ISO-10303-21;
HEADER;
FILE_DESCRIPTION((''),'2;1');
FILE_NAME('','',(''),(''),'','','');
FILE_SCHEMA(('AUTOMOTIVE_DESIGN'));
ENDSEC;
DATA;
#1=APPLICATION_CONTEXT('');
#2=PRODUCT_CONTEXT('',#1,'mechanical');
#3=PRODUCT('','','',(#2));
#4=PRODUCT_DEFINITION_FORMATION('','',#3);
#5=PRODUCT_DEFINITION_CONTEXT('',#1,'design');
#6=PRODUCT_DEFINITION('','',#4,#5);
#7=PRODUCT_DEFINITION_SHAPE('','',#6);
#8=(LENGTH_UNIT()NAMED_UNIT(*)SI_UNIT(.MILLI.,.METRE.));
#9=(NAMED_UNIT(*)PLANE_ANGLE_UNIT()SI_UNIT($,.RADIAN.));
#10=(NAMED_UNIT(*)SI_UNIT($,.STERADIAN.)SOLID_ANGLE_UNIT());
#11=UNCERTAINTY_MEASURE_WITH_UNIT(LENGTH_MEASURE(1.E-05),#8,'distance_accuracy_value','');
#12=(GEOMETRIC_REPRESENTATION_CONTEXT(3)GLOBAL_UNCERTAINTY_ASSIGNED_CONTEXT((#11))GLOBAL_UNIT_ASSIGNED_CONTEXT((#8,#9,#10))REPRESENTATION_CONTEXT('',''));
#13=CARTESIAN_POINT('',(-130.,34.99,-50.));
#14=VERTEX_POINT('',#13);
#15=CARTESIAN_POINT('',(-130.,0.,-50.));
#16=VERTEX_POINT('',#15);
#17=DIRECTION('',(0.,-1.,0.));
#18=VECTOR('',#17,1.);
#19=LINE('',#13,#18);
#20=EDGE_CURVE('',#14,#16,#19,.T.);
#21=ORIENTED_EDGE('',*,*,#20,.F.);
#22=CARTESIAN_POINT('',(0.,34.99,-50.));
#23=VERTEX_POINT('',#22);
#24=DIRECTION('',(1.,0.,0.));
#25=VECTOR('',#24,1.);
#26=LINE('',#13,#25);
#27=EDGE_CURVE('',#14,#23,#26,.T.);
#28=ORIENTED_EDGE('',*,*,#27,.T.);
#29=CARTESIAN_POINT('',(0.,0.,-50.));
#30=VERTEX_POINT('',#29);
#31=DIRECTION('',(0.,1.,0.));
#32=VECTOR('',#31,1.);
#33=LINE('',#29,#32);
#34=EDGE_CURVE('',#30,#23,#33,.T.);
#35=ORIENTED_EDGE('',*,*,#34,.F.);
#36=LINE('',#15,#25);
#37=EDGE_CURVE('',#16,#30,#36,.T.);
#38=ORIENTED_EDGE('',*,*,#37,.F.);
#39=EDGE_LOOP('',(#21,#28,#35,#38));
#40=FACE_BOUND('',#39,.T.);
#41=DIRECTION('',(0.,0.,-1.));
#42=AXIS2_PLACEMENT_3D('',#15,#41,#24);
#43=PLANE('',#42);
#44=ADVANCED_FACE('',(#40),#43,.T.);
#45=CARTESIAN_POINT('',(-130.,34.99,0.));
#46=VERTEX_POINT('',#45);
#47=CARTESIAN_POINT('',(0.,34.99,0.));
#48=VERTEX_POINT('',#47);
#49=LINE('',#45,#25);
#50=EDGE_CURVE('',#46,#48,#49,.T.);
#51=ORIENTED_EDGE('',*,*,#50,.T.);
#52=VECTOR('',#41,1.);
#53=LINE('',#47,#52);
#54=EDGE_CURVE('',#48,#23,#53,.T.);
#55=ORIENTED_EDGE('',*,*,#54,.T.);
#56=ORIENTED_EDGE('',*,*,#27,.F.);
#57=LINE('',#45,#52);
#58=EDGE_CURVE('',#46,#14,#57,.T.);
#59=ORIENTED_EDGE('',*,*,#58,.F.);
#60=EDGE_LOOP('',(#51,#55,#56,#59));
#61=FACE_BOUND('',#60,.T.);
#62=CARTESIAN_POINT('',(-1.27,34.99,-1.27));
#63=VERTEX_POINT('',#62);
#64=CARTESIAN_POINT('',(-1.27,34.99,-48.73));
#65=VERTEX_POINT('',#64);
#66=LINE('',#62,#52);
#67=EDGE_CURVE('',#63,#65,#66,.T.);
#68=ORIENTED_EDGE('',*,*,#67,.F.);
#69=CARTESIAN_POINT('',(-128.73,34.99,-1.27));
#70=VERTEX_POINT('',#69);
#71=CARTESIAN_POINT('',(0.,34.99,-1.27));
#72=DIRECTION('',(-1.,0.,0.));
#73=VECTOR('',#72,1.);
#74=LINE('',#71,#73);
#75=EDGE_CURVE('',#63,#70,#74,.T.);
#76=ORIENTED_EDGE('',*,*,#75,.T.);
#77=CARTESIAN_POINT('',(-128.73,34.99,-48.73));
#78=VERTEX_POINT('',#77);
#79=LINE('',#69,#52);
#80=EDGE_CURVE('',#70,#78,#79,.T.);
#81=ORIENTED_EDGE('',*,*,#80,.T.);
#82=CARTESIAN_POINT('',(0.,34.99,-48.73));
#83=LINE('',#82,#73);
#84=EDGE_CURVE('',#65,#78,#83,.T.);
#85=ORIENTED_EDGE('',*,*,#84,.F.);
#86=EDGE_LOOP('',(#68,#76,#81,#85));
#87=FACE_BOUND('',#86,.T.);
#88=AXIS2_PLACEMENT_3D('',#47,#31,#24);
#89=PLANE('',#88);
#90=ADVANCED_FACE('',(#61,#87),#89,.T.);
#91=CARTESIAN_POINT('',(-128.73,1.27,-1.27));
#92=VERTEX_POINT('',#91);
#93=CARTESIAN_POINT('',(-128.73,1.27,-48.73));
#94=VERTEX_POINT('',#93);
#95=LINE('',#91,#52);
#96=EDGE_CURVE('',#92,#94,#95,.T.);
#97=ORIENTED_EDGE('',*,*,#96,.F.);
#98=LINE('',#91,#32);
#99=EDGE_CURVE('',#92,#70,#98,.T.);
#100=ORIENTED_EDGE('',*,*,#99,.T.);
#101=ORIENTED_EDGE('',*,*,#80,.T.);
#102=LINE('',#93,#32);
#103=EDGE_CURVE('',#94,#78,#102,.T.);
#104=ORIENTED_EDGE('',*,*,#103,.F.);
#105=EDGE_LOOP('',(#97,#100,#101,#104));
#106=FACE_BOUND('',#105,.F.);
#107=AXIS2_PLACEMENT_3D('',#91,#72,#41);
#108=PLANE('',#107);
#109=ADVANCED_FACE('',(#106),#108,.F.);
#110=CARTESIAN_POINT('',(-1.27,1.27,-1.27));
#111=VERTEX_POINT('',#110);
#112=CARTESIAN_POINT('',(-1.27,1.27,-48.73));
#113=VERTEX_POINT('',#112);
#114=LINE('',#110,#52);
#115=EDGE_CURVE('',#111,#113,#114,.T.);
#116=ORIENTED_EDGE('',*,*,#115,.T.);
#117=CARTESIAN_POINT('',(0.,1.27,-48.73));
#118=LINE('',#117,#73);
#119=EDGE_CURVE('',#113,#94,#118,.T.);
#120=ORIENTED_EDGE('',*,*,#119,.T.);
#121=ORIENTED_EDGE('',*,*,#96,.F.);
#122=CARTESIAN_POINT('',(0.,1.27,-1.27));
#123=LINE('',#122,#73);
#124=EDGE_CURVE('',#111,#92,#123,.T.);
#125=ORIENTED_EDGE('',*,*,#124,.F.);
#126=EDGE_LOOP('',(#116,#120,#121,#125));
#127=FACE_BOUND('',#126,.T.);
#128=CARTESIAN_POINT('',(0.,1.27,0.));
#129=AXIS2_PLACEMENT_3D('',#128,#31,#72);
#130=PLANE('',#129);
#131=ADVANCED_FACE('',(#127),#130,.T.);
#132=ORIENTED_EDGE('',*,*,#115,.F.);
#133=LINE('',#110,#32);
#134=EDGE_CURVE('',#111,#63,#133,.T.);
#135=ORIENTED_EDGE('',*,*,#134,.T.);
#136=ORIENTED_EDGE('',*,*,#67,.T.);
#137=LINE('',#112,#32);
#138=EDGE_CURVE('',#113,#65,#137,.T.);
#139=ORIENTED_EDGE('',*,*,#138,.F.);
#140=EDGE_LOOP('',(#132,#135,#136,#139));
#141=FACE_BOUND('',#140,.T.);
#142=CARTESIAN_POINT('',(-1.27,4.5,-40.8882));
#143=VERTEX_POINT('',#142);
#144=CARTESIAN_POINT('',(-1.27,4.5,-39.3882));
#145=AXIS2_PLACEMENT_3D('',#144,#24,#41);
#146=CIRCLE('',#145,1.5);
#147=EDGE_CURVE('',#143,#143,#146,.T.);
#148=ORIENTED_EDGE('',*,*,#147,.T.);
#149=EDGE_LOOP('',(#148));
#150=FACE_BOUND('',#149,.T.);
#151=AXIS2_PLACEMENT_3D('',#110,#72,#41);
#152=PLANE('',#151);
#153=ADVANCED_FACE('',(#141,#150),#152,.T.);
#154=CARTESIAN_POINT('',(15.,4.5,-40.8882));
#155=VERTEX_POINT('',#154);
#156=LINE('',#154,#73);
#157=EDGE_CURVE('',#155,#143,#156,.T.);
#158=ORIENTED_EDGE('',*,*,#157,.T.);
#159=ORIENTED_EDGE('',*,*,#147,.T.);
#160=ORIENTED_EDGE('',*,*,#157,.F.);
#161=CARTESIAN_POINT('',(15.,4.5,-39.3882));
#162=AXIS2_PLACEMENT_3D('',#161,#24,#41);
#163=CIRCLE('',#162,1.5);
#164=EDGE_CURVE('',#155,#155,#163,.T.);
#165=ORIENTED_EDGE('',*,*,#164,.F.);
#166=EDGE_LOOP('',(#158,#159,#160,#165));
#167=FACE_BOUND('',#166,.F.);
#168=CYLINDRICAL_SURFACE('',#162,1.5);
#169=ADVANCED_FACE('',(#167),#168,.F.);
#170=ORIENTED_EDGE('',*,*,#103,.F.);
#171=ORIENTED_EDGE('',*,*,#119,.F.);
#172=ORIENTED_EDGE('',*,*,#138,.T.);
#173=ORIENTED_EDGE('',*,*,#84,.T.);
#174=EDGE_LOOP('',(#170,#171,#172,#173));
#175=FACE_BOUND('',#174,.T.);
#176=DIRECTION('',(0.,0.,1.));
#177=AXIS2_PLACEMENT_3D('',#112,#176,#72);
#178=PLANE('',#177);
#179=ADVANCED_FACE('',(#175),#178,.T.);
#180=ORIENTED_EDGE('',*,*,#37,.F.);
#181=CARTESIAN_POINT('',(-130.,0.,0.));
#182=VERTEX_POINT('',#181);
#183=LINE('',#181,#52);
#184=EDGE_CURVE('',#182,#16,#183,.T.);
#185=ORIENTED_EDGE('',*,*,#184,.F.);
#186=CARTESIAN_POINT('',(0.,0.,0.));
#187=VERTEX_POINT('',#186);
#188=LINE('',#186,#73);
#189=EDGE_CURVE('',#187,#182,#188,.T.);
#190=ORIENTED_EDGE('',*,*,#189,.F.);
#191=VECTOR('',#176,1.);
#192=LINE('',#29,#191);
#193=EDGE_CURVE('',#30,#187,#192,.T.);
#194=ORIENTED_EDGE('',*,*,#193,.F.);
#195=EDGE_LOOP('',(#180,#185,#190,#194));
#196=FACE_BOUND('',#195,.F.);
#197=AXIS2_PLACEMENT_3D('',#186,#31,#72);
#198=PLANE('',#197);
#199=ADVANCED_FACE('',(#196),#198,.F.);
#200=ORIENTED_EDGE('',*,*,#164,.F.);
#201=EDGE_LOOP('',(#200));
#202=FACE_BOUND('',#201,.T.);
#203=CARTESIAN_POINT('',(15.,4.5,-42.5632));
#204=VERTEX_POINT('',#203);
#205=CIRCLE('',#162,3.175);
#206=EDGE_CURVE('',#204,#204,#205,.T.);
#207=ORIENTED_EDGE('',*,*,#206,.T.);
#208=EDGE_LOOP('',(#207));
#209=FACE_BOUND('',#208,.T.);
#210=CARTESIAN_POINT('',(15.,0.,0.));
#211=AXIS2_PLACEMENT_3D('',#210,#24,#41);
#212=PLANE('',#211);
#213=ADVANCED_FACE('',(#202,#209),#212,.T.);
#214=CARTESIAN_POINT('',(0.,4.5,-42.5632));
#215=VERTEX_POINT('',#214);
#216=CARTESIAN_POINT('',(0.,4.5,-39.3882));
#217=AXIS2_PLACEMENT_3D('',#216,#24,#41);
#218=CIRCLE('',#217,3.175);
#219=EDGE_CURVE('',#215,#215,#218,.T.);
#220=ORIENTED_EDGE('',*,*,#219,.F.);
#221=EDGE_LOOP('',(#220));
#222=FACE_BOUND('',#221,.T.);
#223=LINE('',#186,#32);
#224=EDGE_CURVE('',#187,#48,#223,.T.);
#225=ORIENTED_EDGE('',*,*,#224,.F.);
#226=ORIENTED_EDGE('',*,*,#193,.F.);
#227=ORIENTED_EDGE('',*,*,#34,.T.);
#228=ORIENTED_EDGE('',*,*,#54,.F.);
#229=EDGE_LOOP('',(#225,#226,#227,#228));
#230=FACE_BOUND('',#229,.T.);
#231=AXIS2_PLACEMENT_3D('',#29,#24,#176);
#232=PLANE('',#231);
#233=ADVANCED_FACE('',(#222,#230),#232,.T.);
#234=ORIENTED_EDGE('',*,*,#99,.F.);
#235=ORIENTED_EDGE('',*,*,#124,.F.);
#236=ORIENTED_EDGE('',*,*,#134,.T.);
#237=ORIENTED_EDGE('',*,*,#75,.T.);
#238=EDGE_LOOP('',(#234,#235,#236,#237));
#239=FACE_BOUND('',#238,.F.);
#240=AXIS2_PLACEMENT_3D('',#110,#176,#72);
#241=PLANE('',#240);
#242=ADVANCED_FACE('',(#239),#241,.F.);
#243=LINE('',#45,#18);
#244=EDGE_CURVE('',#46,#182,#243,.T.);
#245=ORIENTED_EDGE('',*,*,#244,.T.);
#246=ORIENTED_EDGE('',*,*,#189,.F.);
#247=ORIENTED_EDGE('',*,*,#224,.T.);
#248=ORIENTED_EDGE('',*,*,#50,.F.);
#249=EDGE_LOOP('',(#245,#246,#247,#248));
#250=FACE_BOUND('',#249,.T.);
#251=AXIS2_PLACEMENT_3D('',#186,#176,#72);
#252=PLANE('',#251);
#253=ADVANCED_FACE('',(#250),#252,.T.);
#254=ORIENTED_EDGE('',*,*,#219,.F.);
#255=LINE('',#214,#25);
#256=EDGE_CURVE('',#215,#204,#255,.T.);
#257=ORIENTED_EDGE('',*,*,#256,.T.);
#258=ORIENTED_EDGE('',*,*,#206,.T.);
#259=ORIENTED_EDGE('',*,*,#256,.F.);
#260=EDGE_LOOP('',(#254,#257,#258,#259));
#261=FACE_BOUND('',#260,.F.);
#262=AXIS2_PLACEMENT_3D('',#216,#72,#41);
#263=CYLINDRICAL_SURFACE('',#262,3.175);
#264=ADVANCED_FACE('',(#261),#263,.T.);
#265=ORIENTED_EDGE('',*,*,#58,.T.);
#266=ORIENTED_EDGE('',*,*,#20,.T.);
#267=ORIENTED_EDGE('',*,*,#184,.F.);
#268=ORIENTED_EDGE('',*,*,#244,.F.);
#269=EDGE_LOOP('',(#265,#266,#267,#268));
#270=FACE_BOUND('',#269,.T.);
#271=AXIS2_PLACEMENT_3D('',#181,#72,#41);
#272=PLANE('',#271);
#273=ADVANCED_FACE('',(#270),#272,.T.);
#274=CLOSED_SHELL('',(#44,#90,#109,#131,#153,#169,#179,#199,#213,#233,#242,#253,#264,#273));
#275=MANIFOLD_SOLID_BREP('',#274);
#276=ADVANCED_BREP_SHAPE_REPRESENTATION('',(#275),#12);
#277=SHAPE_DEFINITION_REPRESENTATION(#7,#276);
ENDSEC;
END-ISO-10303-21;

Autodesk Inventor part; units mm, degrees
ref_plane "YZ Plane" through (0, 0, 0) normal (1, 0, 0) x (0, 1, 0)
ref_plane "XZ Plane" through (0, 0, 0) normal (0, 1, 0) x (-1, 0, 0)
ref_plane "XY Plane" through (0, 0, 0) normal (0, 0, 1) x (1, 0, 0)
sketch "Sketch1" plane through (0, 0, 0) normal (0, 1, 0) x (-1, 0, 0)
  line L0 (0, 0) -> (130, 0)
  line L1 (130, 0) -> (130, -50)
  line L2 (130, -50) -> (0, -50)
  line L3 (0, -50) -> (0, 0)
  dimension "d0" = 130
  dimension "d1" = 50
extrude "Extrusion1" add sketch "Sketch1" along normal blind 1.27
sketch "Sketch2" plane through (0, 1.27, 0) normal (0, 1, 0) x (1, 0, 0)
  line L0 (-130, 0) -> (0, 0) projected
  line L1 (0, 0) -> (0, 50) projected
  line L2 (-130, 0) -> (0, 0)
  line L3 (0, 0) -> (0, 1.27)
  line L4 (0, 1.27) -> (-130, 1.27)
  line L5 (-130, 1.27) -> (-130, 0)
  line L6 (-130, 50) -> (-130, 0) projected
  line L7 (-130, 50) -> (0, 50)
  line L8 (0, 50) -> (0, 48.73)
  line L9 (0, 48.73) -> (-130, 48.73)
  line L10 (-130, 48.73) -> (-130, 50)
  line L11 (0, 1.27) -> (-1.27, 1.27)
  line L12 (-1.27, 1.27) -> (-1.27, 48.73)
  line L13 (-1.27, 48.73) -> (0, 48.73)
  line L14 (0, 48.73) -> (0, 1.27)
  line L15 (-130, 1.27) -> (-128.73, 1.27)
  line L16 (-128.73, 1.27) -> (-128.73, 48.73)
  line L17 (-128.73, 48.73) -> (-130, 48.73)
  line L18 (-130, 48.73) -> (-130, 1.27)
  dimension "d4" = 1.27
  dimension "d5" = 1.27
  dimension "d6" = 1.27
  dimension "d7" = 1.27
extrude "Extrusion2" add sketch "Sketch2" along normal blind 33.72 contours L5 L4 L1 L0 | L6 L9 L16 L4 | L4 L12 L9 L1 | L6 L7 L1 L9
sketch "Sketch3" plane through (0, 0, 0) normal (1, 0, 0) x (0, 0, -1)
  circle A0 centre (39.3882, 4.5) radius 3.175
  line L0 (50, 0) -> (0, 0) projected
  dimension "d10" = 6.35
  dimension "d17" = 4.5
extrude "Extrusion3" add sketch "Sketch3" along normal blind 15
sketch "Sketch4" plane through (15, 4.5, -39.3882) normal (1, 0, 0) x (0, 0, -1)
  circle A0 centre (0, 0) radius 1.5
  point P0 (-39.3882, -4.5)
  dimension "d14" = 3
extrude "Extrusion4" cut sketch "Sketch4" against normal blind 30
properties part number "CajaDesague"
